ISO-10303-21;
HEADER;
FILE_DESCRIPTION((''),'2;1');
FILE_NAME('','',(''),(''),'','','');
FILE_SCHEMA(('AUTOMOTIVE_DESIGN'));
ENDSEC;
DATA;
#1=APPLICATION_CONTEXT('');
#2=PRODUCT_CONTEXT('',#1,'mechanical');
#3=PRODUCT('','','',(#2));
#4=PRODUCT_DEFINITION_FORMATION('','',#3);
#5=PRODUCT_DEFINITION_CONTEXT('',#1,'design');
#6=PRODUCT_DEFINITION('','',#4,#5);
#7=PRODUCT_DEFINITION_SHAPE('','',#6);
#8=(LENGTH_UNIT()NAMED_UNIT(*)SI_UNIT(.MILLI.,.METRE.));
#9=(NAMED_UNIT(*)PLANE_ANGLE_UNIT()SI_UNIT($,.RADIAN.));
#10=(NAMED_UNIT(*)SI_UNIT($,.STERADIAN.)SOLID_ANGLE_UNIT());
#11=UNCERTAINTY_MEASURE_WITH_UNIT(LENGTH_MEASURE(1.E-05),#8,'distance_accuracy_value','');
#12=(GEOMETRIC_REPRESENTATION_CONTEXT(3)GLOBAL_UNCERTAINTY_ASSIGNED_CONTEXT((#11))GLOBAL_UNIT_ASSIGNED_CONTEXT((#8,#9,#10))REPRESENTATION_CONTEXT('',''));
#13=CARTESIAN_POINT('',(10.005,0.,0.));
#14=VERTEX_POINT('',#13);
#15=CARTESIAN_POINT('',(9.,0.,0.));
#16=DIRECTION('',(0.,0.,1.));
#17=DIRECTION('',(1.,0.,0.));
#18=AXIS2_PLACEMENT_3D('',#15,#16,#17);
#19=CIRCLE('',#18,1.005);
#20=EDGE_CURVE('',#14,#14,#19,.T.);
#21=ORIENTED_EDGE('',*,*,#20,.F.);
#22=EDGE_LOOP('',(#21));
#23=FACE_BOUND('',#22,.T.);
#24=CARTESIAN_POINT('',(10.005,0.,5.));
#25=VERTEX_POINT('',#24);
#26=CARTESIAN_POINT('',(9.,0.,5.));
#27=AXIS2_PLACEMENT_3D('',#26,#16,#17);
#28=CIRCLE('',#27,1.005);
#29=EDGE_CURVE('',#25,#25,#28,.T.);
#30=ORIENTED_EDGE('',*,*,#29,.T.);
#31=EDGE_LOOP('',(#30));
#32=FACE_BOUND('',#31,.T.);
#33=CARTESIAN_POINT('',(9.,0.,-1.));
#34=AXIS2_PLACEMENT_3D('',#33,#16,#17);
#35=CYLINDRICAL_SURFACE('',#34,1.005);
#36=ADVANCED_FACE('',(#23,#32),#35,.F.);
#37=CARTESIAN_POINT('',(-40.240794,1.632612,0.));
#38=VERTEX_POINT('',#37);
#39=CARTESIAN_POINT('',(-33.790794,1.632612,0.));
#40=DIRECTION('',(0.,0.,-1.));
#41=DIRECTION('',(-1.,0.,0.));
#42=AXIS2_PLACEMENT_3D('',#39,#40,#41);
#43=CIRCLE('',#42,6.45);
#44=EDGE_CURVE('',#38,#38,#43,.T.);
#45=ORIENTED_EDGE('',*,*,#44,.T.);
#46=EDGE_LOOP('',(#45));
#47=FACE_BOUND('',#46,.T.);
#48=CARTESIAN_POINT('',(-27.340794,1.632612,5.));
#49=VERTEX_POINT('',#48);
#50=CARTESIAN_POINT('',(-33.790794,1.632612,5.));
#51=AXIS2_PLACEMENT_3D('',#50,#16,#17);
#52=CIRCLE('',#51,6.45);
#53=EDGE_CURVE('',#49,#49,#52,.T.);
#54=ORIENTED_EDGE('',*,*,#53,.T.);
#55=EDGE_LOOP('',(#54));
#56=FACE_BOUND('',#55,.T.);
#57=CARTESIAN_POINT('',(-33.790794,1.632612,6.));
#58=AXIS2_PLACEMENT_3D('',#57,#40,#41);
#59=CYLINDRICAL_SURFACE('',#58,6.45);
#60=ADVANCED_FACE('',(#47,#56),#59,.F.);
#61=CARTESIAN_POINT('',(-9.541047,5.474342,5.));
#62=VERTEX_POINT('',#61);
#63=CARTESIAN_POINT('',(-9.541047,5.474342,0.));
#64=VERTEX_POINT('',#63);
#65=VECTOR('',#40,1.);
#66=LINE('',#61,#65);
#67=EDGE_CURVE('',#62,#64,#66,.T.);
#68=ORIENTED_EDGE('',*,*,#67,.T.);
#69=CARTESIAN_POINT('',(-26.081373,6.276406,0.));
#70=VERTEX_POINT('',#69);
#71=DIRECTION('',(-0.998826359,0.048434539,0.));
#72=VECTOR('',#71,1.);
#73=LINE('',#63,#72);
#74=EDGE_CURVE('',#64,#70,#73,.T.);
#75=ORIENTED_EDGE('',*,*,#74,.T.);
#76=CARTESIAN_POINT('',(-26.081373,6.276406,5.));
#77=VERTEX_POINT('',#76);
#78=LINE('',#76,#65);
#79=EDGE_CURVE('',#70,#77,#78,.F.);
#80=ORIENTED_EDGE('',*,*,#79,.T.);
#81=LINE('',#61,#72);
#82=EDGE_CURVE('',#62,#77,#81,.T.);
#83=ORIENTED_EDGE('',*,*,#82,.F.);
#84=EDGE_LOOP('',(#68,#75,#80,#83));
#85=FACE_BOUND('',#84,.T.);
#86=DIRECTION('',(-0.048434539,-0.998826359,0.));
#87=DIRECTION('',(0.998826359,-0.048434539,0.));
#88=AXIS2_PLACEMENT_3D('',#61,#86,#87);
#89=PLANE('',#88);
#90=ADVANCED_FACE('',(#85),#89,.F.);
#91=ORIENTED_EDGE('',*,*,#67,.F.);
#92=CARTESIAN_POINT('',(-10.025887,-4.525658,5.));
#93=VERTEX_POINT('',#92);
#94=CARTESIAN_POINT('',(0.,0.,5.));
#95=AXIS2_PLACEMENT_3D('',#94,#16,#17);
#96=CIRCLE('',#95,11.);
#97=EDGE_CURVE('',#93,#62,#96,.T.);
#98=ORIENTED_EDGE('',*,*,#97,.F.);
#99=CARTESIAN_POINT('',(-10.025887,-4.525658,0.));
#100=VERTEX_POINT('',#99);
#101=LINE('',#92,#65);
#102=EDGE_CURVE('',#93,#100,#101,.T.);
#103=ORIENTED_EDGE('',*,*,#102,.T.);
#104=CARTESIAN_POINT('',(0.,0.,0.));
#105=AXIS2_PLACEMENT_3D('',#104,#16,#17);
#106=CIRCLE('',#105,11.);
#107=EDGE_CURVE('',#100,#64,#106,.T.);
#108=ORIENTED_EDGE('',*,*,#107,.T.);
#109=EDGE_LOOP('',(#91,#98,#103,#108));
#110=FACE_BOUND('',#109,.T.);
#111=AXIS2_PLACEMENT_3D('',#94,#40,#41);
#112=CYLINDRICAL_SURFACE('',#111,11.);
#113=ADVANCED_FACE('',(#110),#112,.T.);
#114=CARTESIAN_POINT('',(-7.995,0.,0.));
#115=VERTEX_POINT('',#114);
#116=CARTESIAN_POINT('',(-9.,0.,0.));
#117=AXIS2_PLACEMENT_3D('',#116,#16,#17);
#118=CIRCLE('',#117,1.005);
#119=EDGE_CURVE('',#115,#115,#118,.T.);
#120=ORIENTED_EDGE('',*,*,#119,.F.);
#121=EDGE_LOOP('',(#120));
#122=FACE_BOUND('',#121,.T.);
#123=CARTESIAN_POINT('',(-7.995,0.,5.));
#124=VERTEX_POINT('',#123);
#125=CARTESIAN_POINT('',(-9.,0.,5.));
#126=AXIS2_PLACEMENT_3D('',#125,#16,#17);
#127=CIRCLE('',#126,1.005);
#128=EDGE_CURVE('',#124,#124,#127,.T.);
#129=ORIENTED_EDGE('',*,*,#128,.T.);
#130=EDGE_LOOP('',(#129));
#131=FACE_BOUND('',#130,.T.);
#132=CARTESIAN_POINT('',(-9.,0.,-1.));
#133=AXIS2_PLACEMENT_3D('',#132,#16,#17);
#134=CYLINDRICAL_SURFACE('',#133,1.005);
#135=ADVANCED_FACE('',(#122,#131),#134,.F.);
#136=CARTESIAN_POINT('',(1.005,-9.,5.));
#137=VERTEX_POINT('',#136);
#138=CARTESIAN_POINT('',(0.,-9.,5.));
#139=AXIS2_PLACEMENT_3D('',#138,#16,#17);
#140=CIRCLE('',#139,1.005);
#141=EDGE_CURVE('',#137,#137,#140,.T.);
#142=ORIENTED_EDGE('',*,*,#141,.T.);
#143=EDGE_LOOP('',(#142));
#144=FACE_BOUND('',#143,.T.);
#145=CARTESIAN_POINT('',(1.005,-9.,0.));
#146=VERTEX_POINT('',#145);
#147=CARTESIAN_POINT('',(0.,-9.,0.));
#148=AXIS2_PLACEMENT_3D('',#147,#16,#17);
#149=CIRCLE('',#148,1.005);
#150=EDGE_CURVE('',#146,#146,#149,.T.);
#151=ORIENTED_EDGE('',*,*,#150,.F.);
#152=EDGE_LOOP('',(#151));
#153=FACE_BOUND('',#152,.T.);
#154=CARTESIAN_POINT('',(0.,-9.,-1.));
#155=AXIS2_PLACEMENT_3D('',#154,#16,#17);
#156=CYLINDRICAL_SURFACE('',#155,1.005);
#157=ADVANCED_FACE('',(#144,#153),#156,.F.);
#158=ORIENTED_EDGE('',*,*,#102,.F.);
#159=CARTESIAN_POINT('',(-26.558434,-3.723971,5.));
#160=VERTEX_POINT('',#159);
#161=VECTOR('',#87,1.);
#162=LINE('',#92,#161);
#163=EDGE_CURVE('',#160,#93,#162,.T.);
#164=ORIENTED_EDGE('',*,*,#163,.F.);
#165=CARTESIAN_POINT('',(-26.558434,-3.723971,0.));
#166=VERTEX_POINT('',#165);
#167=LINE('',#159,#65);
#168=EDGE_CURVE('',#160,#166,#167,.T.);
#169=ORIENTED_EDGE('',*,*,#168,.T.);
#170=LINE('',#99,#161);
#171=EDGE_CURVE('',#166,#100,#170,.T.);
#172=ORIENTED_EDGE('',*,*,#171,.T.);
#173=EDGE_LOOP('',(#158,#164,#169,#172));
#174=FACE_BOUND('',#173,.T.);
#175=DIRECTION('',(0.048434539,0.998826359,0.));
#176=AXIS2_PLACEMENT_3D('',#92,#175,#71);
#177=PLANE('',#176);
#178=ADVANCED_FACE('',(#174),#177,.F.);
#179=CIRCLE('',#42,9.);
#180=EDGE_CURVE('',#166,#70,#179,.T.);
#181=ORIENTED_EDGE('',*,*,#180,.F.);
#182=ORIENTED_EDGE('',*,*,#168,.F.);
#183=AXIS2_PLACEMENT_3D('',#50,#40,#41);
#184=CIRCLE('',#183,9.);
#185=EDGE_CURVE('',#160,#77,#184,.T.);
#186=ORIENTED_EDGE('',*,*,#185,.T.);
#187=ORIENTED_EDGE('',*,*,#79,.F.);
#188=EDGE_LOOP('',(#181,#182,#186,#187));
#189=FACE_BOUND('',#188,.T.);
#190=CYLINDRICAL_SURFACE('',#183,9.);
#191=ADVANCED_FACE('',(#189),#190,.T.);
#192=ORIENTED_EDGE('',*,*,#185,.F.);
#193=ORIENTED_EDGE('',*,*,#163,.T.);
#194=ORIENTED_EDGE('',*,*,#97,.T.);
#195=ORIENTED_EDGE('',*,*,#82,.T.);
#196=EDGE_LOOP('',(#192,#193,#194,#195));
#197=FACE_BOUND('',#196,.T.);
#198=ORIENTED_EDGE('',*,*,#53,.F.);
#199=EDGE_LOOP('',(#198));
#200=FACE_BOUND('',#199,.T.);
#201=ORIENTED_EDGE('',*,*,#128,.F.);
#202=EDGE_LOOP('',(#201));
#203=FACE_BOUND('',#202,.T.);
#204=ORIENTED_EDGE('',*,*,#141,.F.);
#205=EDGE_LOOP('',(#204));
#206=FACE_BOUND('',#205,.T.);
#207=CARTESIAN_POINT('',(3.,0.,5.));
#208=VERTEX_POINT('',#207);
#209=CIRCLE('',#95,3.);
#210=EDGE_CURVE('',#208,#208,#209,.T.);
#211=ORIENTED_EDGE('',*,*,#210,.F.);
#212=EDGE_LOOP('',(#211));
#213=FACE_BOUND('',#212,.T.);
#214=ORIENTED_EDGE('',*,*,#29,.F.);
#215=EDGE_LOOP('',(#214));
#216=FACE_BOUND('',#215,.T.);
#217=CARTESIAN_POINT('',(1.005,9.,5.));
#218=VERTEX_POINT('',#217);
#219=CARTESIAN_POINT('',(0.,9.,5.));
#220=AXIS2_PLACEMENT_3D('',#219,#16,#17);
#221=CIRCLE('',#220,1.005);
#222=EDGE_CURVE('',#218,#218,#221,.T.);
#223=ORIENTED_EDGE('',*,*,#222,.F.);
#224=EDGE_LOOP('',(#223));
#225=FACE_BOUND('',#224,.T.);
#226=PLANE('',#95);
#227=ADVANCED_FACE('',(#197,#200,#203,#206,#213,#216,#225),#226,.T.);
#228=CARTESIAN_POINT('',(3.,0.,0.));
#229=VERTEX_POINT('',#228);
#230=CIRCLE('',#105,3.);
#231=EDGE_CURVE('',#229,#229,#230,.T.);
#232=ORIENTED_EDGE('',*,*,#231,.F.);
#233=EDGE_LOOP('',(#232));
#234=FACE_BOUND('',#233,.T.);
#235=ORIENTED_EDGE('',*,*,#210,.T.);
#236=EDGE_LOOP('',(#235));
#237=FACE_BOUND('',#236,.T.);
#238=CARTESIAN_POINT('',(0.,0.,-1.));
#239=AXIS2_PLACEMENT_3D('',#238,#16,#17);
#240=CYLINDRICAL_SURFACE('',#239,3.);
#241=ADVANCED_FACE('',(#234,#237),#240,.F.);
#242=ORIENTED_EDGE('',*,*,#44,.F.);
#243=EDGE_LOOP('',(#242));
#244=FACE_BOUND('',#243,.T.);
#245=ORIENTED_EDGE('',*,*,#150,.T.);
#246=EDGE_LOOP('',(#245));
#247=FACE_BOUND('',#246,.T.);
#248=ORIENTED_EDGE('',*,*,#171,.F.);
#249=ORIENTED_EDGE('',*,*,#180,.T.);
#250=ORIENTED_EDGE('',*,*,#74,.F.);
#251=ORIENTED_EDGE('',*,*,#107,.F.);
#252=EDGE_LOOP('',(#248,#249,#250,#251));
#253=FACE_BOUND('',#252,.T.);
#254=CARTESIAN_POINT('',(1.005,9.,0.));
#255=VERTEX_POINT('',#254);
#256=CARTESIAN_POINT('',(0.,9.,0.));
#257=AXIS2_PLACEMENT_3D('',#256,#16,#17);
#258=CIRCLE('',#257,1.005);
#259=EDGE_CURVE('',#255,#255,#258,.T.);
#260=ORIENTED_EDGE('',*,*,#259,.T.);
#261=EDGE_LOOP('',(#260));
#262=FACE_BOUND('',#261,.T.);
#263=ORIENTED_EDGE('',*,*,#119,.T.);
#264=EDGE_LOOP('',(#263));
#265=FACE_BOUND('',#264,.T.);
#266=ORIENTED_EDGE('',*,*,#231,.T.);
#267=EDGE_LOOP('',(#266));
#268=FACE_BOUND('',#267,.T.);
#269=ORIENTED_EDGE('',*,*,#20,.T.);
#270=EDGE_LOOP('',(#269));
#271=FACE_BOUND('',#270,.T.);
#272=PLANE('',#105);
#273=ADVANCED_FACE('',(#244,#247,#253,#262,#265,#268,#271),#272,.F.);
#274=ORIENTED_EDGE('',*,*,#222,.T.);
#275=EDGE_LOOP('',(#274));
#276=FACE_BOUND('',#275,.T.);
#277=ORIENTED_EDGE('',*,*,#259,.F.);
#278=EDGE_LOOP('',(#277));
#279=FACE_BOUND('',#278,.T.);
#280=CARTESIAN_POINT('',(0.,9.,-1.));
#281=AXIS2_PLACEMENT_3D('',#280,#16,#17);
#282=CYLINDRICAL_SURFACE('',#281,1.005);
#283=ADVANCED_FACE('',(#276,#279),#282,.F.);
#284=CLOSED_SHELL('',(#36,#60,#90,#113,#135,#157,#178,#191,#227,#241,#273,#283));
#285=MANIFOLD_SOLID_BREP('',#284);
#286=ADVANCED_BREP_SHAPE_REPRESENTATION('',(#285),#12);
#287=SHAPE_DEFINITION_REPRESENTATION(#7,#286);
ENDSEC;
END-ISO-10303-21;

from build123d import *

# Parameters (mm, degrees)
BOSS_EXTRU_1_DEPTH      = 5
ESQUISSE2_R             = 1.005
ESQUISSE2_R_2           = 3
ENL_V_MAT_EXTRU_1_DEPTH = 6
ESQUISSE3_R             = 9
BOSS_EXTRU_2_DEPTH      = 5
ESQUISSE5_R             = 6.45
ENL_V_MAT_EXTRU_2_DEPTH = 6


with BuildPart() as part:
    # Esquisse1 → Boss.-Extru.1 (new body)
    with BuildSketch(Plane.XY):
        with BuildLine():
            Line((-10.02588737, -4.525658234), (-40.02588737, -3.070914704))
            Line((-40.02588737, -3.070914704), (-39.541047229, 6.929085296))
            Line((-39.541047229, 6.929085296), (-9.541047229, 5.474341766))
            ThreePointArc((-9.541047229, 5.474341766), (10.987093901, -0.532698415), (-10.02588737, -4.525658234))
        make_face()
    extrude(amount=BOSS_EXTRU_1_DEPTH)

    # Esquisse2 → Enlèv. mat.-Extru.1 (cut)
    with BuildSketch(Plane.XY.offset(5)):
        with Locations((0, 9)):
            Circle(ESQUISSE2_R)
        with Locations((9, 0)):
            Circle(ESQUISSE2_R)
        with Locations((0, -9)):
            Circle(ESQUISSE2_R)
        with Locations((-9, 0)):
            Circle(ESQUISSE2_R)
        with Locations((-33.790793572, 1.632611651)):
            Circle(ESQUISSE2_R)
        Circle(ESQUISSE2_R_2)
    extrude(amount=-ENL_V_MAT_EXTRU_1_DEPTH, mode=Mode.SUBTRACT)

    # Esquisse3 → Boss.-Extru.2 (add)
    with BuildSketch(Plane(origin=(0, 0, 0), x_dir=(-1, 0, 0), z_dir=(0, 0, -1))):
        with Locations((33.790793572, 1.632611651)):
            Circle(ESQUISSE3_R)
    extrude(amount=-BOSS_EXTRU_2_DEPTH)

    # Esquisse5 → Enlèv. mat.-Extru.2 (cut)
    with BuildSketch(Plane(origin=(0, 0, 0), x_dir=(-1, 0, 0), z_dir=(0, 0, -1))):
        with Locations((33.790793572, 1.632611651)):
            Circle(ESQUISSE5_R)
    extrude(amount=-ENL_V_MAT_EXTRU_2_DEPTH, mode=Mode.SUBTRACT)


solid = part.part
